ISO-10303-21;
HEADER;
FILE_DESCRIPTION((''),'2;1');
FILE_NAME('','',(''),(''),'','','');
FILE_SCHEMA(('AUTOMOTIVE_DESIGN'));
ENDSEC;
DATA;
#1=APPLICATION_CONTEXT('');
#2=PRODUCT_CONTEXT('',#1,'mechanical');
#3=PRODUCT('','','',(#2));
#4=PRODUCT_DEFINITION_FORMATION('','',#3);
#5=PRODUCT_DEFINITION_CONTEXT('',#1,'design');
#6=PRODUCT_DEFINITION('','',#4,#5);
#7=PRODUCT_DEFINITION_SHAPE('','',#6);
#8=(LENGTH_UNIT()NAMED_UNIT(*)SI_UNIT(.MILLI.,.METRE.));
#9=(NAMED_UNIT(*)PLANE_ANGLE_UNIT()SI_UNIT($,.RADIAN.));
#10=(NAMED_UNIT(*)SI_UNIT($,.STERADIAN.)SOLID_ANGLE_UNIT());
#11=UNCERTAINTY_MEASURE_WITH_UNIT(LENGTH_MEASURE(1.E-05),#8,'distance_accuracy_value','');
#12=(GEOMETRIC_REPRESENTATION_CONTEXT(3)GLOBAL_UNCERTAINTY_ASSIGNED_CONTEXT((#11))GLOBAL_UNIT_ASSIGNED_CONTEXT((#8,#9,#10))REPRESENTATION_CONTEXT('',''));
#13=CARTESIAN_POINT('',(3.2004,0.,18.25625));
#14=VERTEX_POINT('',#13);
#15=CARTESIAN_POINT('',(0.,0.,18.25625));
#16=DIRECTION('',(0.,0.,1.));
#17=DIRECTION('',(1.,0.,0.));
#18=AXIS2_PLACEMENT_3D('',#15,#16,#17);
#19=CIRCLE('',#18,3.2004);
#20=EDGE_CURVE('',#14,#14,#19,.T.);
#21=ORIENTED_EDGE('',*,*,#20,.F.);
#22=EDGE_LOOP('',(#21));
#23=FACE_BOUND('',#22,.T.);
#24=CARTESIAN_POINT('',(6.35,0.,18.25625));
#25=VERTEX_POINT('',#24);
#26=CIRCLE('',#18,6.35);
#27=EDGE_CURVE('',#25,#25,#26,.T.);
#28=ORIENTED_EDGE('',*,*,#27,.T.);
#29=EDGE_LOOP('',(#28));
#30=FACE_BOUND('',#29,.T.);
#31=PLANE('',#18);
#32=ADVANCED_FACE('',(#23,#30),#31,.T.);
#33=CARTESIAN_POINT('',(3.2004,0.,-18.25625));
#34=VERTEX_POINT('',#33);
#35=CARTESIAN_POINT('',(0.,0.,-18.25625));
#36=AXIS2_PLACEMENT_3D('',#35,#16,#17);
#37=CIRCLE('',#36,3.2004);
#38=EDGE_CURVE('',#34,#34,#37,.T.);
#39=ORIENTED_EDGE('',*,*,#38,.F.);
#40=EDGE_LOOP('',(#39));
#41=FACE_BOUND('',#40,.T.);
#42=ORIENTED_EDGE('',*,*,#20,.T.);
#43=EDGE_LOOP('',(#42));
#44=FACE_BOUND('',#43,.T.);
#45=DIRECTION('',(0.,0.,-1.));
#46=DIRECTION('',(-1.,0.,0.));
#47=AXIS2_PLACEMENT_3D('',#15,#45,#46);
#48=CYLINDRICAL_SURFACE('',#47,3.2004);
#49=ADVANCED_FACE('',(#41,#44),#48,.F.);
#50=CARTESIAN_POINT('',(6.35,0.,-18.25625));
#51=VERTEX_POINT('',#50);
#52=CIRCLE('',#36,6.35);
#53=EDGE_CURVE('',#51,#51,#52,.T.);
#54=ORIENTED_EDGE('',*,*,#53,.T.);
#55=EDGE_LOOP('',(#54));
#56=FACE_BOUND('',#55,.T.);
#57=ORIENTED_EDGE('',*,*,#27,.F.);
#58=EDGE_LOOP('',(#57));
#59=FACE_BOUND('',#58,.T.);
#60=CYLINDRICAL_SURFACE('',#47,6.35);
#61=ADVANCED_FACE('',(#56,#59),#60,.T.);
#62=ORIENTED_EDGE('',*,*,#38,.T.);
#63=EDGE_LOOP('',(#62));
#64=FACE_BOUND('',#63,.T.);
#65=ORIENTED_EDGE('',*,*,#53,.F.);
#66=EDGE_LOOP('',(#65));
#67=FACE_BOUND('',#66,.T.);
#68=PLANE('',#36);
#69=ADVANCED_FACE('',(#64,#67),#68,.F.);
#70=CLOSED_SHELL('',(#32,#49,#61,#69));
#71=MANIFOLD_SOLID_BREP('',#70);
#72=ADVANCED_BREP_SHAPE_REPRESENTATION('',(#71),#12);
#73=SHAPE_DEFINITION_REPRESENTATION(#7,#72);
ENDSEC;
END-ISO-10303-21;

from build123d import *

# Parameters (mm, degrees)
EXTRUDE1_DEPTH      = 18.25625
EXTRUDE1_DEPTH_BACK = 18.25625
SKETCH1_R           = 6.35
SKETCH1_R_2         = 3.2004


with BuildPart() as part:
    # Sketch1 → Extrude1 (new, two sides: drawn at the far end of the back side and taken through both)
    with BuildSketch(Plane.XY.offset(-EXTRUDE1_DEPTH_BACK)):
        Circle(SKETCH1_R)
        Circle(SKETCH1_R_2, mode=Mode.SUBTRACT)
    extrude(amount=EXTRUDE1_DEPTH + EXTRUDE1_DEPTH_BACK)


solid = part.part
